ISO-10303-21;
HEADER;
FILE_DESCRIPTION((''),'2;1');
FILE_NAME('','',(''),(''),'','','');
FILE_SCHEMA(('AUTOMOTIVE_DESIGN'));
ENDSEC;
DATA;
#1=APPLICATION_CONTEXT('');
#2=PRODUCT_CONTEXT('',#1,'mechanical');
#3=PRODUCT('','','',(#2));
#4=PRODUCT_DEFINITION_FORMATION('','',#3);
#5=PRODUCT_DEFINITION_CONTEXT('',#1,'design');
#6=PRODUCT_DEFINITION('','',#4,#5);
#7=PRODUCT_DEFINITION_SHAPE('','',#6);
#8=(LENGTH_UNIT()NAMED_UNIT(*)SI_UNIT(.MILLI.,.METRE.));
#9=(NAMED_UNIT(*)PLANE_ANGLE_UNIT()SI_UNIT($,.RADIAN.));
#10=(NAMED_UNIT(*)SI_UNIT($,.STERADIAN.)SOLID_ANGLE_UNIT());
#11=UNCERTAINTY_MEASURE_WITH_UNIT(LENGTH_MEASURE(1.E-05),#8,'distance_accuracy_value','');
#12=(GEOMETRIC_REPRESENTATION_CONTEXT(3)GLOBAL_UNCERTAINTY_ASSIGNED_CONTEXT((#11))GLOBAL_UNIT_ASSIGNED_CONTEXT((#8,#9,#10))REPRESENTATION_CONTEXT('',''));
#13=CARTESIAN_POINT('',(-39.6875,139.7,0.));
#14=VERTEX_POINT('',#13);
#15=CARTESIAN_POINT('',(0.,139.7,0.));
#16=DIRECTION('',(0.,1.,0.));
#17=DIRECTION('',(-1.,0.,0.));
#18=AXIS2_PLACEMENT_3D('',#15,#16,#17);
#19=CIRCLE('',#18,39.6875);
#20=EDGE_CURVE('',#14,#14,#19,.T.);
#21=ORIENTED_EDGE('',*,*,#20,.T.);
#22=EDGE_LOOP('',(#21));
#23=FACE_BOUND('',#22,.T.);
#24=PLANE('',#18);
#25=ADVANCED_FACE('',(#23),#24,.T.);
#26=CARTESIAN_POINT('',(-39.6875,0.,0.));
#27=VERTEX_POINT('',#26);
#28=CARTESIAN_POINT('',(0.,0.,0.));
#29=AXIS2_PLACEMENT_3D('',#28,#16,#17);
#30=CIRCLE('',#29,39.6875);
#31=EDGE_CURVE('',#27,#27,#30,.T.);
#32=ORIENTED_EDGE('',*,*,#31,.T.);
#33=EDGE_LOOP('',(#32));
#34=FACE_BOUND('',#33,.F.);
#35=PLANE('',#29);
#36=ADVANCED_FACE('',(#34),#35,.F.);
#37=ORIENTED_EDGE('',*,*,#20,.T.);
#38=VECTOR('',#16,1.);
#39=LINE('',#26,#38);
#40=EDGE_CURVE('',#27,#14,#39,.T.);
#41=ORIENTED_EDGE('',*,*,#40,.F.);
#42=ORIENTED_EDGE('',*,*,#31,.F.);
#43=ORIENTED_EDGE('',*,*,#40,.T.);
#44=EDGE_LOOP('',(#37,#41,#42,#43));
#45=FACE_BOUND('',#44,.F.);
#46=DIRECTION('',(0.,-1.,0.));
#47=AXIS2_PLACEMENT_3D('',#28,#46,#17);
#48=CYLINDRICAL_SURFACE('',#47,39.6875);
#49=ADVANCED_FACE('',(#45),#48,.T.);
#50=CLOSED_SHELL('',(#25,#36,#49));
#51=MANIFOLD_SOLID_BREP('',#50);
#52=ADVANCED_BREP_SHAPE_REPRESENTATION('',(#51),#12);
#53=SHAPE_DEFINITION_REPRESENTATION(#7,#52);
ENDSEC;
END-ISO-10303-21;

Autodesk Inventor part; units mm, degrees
ref_plane "YZ Plane" through (0, 0, 0) normal (1, 0, 0) x (0, 1, 0)
ref_plane "XZ Plane" through (0, 0, 0) normal (0, 1, 0) x (-1, 0, 0)
ref_plane "XY Plane" through (0, 0, 0) normal (0, 0, 1) x (1, 0, 0)
sketch "Sketch1" plane through (0, 0, 0) normal (0, 1, 0) x (-1, 0, 0)
  circle A0 centre (0, 0) radius 39.6875
  dimension "d0" = 79.375
extrude "Extrusion1" add sketch "Sketch1" along normal blind 139.7
properties part number "Drive Motor" material "Acetal Resin, Black"
